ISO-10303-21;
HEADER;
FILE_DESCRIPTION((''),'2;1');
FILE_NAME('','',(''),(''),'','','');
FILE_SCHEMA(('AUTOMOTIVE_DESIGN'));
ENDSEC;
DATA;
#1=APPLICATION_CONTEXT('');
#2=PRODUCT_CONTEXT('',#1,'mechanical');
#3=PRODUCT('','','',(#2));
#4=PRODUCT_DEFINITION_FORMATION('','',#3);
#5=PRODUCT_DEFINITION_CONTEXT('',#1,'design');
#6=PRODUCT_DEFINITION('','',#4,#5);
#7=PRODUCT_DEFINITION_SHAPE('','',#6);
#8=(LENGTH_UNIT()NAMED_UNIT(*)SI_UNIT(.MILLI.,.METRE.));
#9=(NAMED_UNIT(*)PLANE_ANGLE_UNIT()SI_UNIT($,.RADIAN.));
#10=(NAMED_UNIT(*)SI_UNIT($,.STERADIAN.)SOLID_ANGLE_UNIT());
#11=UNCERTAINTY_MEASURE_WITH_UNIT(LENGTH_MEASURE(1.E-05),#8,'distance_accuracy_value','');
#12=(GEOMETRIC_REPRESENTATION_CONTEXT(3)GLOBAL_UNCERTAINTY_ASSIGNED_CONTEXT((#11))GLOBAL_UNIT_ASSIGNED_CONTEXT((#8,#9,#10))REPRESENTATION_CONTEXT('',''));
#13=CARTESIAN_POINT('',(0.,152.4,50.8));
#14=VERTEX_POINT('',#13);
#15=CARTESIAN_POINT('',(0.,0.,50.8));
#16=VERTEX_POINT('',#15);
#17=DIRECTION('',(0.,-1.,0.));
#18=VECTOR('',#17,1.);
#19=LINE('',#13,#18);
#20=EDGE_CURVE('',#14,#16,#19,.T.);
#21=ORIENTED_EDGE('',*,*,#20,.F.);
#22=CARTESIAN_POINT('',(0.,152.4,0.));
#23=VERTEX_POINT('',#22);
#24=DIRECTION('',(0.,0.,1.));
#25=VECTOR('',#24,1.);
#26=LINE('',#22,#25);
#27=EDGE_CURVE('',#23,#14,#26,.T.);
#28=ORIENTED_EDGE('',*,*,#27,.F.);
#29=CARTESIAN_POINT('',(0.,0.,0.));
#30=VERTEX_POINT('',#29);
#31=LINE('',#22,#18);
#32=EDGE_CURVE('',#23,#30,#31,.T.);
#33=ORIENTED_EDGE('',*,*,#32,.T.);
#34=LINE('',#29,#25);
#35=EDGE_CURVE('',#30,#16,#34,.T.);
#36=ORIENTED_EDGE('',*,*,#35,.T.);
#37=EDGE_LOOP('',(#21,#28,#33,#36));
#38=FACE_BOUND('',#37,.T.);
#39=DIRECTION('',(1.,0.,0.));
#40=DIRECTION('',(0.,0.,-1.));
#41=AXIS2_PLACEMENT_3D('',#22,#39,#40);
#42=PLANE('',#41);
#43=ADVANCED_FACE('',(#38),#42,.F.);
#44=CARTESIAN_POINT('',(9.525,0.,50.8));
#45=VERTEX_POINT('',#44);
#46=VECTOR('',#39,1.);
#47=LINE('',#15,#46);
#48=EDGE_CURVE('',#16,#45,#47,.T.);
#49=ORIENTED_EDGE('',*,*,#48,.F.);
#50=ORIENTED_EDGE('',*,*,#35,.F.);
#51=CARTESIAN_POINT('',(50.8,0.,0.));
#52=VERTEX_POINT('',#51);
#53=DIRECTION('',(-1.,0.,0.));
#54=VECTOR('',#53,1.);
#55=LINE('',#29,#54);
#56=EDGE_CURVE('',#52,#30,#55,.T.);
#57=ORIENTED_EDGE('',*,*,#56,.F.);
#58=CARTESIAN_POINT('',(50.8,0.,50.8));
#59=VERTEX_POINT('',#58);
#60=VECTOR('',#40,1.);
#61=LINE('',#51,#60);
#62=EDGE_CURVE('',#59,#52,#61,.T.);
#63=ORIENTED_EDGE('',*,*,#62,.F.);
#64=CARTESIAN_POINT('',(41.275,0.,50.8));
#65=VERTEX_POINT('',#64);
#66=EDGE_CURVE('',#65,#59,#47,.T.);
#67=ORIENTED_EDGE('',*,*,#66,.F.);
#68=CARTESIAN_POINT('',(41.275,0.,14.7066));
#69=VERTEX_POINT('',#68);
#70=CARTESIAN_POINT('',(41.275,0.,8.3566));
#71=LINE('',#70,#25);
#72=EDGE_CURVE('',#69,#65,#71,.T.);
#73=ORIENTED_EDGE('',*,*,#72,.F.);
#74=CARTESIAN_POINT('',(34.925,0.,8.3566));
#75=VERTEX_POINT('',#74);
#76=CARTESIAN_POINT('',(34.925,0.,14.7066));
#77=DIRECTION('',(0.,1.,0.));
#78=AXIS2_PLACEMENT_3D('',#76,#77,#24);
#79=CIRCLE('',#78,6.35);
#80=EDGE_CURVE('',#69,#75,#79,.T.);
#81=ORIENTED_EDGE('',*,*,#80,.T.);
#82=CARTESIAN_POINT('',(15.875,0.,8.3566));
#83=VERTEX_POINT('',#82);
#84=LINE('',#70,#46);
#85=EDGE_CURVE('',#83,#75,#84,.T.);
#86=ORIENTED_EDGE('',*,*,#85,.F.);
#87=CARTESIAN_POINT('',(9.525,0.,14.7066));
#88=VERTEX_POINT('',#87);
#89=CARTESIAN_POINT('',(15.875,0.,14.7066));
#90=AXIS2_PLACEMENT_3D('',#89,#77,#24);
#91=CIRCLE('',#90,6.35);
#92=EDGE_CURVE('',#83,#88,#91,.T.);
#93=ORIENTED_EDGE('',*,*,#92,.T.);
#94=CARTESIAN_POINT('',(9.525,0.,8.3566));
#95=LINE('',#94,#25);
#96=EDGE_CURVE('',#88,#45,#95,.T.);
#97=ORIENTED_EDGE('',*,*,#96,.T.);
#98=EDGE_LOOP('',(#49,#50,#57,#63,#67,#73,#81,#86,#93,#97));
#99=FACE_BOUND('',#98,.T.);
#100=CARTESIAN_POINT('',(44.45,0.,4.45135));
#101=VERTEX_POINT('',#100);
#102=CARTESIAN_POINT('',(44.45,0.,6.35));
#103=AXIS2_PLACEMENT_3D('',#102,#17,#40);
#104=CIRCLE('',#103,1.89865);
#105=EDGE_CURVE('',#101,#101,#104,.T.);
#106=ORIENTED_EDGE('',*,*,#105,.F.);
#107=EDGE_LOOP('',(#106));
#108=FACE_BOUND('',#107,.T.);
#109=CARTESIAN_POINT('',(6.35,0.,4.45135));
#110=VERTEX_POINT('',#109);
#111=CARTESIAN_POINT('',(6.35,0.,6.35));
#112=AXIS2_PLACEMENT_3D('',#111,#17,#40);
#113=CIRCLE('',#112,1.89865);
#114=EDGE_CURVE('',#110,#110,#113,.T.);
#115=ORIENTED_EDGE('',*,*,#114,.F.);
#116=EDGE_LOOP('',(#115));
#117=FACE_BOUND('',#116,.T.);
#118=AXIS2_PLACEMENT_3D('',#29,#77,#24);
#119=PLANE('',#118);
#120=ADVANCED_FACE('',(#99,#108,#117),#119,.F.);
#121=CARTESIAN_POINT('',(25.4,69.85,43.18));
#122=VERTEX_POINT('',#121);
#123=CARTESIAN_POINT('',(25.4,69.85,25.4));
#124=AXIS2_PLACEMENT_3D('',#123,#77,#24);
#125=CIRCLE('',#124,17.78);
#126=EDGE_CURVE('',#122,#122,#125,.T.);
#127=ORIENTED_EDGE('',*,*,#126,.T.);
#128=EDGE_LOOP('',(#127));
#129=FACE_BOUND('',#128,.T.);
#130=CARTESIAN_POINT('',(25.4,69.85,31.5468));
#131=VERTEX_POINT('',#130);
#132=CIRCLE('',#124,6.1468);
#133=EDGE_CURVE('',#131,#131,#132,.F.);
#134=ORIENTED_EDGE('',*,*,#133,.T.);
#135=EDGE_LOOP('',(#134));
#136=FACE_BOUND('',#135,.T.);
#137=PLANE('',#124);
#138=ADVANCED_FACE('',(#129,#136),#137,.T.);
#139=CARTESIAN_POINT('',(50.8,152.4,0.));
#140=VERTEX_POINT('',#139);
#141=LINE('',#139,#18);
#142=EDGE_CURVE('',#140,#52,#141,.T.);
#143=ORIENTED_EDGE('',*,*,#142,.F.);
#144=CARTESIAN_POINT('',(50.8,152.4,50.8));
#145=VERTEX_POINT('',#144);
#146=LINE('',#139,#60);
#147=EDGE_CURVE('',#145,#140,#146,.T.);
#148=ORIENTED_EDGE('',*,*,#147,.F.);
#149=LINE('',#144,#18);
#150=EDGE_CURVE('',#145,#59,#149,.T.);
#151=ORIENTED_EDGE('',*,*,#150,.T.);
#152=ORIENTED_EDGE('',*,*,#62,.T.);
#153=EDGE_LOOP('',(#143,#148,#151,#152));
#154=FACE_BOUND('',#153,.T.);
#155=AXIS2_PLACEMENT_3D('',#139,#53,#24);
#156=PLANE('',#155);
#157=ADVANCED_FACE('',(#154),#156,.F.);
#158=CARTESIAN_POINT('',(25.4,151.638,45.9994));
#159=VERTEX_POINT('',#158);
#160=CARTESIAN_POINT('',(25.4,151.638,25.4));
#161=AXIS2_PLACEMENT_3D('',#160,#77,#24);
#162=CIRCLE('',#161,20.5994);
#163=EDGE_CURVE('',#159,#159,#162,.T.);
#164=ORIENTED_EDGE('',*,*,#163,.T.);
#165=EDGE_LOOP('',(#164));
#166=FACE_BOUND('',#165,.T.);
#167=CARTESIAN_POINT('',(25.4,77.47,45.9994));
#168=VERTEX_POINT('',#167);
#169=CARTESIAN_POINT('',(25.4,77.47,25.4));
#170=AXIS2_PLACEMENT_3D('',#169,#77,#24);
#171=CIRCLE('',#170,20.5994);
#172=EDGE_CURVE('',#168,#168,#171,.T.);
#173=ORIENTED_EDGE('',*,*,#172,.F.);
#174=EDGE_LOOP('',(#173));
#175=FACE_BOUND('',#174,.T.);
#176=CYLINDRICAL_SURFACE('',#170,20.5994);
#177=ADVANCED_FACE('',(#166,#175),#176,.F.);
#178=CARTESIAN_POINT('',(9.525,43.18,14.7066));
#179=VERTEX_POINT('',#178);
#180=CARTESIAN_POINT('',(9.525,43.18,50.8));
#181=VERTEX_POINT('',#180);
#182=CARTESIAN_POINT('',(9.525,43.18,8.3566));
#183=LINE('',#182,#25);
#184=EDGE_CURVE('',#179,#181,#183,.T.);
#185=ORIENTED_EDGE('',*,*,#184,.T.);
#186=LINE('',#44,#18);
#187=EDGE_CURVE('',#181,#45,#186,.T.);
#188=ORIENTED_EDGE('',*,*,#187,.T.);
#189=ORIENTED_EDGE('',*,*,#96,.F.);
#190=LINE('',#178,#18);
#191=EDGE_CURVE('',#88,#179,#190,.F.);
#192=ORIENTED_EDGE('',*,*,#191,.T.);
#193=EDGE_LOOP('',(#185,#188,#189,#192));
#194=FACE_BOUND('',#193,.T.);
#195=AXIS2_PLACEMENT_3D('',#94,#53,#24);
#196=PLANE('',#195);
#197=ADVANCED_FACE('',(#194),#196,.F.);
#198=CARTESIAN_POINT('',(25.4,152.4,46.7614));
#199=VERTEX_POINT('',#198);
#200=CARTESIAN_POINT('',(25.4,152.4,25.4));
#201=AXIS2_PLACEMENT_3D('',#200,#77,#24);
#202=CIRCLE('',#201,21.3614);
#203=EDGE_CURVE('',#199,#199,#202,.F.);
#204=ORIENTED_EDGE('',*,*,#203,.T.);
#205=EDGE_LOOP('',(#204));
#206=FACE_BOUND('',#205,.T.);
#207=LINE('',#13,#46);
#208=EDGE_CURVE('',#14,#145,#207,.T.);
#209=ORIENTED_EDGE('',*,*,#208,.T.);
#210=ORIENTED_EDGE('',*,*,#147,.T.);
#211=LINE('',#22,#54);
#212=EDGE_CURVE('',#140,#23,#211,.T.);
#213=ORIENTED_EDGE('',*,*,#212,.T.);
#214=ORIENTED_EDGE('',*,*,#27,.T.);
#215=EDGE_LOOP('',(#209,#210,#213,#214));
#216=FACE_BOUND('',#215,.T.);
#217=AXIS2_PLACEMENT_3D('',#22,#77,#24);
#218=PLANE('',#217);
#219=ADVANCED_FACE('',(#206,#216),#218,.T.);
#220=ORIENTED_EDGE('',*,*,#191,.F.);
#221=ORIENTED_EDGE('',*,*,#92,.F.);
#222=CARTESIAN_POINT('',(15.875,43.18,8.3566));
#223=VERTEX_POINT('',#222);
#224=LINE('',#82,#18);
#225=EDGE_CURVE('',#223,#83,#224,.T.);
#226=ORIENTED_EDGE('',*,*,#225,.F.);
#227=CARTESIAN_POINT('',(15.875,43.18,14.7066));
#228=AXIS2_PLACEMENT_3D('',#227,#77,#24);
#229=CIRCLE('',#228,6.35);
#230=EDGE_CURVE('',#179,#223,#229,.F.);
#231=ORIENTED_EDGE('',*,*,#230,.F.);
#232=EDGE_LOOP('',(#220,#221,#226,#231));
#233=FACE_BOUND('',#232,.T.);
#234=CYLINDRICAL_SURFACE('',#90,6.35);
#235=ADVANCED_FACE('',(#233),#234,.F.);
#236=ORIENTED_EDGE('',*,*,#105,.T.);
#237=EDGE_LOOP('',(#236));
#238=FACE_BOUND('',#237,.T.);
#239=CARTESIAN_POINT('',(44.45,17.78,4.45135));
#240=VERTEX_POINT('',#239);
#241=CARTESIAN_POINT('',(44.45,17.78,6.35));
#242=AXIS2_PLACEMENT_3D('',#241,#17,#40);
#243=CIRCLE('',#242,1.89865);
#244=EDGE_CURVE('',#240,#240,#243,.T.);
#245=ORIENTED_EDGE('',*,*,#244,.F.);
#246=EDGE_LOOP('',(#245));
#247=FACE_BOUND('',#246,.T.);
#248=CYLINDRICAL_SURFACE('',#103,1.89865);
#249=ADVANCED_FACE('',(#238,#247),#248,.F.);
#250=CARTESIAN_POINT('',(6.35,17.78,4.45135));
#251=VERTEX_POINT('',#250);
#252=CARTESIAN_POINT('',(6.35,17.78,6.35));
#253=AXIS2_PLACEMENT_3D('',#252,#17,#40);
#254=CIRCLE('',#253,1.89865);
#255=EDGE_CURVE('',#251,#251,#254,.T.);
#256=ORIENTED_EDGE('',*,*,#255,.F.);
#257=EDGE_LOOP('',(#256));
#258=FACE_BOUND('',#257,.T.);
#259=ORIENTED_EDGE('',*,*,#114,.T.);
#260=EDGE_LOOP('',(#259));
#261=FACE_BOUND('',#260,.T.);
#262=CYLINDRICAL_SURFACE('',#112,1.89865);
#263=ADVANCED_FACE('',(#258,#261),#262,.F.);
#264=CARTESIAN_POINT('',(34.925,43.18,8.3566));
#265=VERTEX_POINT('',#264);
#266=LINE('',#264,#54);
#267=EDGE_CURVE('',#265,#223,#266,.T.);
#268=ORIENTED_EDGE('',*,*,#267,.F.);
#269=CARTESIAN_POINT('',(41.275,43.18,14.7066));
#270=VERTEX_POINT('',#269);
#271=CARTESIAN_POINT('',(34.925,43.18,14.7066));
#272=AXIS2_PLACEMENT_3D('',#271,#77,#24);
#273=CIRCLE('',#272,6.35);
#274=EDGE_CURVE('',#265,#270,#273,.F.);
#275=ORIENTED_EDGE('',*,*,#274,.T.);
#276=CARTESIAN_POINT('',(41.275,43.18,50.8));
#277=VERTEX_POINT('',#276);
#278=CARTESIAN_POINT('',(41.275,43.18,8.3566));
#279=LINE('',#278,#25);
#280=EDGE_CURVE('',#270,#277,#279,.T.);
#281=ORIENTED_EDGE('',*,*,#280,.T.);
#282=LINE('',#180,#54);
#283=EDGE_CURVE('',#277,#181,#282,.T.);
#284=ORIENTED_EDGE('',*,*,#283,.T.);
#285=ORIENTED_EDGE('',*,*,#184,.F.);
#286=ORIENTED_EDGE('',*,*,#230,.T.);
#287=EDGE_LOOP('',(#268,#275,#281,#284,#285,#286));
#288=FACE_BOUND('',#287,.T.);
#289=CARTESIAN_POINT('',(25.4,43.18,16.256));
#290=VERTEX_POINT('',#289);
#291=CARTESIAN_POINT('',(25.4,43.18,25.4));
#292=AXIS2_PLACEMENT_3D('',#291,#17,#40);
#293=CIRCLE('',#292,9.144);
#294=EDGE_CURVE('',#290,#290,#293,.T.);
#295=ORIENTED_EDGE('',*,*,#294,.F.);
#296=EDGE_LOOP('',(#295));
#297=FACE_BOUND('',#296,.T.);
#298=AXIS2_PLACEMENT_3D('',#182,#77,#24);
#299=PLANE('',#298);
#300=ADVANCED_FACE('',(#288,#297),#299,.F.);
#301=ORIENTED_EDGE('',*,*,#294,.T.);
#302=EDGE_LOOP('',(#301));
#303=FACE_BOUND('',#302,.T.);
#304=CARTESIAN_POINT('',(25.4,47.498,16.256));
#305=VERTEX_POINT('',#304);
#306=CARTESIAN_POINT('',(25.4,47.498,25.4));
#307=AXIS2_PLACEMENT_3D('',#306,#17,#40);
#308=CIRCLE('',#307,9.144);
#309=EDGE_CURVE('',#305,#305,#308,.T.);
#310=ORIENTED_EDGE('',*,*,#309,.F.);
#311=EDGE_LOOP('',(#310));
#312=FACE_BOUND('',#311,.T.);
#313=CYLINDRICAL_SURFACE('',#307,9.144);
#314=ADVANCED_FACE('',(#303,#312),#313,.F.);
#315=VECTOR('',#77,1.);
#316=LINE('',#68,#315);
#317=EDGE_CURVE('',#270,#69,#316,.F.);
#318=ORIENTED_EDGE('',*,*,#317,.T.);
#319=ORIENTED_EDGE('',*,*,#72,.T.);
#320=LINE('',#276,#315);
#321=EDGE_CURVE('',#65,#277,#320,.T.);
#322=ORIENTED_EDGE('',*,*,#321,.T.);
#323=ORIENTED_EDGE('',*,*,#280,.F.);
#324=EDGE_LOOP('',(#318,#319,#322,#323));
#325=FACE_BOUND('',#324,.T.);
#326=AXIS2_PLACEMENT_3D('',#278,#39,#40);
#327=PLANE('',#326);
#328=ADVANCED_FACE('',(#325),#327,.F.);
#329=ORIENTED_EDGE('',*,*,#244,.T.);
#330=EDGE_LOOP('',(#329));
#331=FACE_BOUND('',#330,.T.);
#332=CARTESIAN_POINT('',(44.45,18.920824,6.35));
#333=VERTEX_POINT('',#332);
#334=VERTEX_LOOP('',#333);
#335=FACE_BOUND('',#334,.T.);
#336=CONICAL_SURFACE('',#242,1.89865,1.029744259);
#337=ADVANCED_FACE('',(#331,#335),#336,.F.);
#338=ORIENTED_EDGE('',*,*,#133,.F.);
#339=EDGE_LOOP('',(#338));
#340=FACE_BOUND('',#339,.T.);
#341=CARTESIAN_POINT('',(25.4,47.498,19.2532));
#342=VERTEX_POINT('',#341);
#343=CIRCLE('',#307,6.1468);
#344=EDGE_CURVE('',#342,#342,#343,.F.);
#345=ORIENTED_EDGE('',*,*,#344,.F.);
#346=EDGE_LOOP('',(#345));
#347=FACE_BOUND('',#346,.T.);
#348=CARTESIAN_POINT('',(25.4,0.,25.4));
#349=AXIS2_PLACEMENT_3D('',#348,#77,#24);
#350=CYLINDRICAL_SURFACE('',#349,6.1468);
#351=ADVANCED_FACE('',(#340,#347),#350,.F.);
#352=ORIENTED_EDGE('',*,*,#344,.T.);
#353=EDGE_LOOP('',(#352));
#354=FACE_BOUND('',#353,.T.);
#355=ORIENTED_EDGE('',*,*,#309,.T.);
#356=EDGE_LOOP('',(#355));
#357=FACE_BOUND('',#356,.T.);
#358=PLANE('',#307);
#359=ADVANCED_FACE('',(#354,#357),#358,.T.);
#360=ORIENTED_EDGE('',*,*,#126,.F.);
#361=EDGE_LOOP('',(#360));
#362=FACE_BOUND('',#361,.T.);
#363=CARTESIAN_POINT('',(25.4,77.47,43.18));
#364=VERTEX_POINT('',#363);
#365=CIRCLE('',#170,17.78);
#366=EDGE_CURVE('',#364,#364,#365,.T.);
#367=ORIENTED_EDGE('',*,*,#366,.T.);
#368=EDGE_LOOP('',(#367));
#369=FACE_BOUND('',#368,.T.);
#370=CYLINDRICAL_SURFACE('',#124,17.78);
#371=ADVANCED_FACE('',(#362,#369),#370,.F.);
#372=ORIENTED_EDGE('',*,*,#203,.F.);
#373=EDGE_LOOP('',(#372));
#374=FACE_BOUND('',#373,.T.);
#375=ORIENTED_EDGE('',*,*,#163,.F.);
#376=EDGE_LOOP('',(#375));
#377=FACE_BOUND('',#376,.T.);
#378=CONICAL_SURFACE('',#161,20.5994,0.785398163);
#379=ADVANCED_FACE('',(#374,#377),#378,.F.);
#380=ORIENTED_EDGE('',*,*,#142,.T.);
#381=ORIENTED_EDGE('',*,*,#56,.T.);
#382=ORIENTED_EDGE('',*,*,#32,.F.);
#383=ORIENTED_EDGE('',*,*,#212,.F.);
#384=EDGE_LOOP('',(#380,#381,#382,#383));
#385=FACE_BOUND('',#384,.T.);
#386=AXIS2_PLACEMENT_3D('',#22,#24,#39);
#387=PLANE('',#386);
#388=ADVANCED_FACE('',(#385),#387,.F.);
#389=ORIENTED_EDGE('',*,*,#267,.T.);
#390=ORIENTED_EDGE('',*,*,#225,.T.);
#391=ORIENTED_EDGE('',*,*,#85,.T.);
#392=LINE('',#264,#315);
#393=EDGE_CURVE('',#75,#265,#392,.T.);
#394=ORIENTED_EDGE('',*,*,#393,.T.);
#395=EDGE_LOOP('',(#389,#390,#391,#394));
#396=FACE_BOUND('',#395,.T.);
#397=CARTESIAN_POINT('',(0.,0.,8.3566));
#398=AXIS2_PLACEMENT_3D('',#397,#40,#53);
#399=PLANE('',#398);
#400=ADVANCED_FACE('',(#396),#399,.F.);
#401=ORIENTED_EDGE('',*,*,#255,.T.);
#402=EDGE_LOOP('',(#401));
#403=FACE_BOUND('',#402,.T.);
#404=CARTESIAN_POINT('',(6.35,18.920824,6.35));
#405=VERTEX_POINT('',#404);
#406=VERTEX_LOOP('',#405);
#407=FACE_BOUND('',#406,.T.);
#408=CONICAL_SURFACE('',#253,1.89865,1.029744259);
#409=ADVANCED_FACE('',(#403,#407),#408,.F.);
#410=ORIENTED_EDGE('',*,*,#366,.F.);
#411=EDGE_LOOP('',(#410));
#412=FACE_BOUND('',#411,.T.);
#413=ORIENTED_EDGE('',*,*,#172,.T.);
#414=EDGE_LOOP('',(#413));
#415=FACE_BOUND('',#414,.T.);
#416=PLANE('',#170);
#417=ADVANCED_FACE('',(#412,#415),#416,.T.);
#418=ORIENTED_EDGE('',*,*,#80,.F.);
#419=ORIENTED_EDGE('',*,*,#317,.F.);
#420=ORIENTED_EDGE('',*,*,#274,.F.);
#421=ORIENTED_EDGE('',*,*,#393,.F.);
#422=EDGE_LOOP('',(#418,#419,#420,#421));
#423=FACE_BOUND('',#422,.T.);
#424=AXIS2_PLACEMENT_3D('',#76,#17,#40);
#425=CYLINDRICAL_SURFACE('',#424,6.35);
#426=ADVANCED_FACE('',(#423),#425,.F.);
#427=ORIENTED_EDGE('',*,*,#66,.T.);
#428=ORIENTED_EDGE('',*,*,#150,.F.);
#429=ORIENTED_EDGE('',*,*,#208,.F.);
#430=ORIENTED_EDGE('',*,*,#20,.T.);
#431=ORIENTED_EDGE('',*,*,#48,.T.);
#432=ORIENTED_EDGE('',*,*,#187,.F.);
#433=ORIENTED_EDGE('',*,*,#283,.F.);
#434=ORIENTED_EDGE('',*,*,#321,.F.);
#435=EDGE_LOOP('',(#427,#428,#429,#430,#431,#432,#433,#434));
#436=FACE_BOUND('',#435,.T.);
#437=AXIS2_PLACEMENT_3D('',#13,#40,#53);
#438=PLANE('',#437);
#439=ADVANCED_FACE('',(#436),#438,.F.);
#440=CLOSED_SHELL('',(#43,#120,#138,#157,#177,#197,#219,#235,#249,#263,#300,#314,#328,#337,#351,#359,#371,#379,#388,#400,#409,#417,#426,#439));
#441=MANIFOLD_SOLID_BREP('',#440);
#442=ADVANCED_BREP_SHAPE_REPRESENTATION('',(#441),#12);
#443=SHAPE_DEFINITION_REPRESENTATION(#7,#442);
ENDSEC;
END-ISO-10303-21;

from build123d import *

# Parameters (mm, degrees)
SKETCH1_W                  = 50.8
SKETCH1_H                  = 50.8
BOSS_EXTRUDE1_DEPTH        = 152.4
SKETCH2_R                  = 6.1468
CUT_EXTRUDE1_DEPTH         = 153.4
SKETCH3_R                  = 20.5994
CUT_EXTRUDE2_DEPTH         = 74.93
SKETCH4_R                  = 17.78
CUT_EXTRUDE3_DEPTH         = 82.55
CUT_EXTRUDE4_DEPTH         = 42.4434
SKETCH6_R                  = 9.144
CUT_EXTRUDE5_DEPTH         = 4.318
FILLET1_R                  = 6.35
F_10_24_TAPPED_HOLE1_D     = 3.7973
F_10_24_TAPPED_HOLE1_DEPTH = 17.78
F_10_24_TAPPED_HOLE1_TIP   = 1.140824014
CHAMFER1_SIZE              = 0.762


with BuildPart() as part:
    # Sketch1 → Boss-Extrude1 (new body)
    with BuildSketch(Plane(origin=(0, 0, 0), x_dir=(1, 0, 0), z_dir=(0, 1, 0))):
        with Locations((25.4, -25.4)):
            Rectangle(SKETCH1_W, SKETCH1_H)
    extrude(amount=BOSS_EXTRUDE1_DEPTH)

    # Sketch2 → Cut-Extrude1 (cut, through all)
    with BuildSketch(Plane(origin=(0, 152.4, 0), x_dir=(1, 0, 0), z_dir=(0, 1, 0))):
        with Locations((25.4, -25.4)):
            Circle(SKETCH2_R)
    extrude(amount=-CUT_EXTRUDE1_DEPTH, mode=Mode.SUBTRACT)

    # Sketch3 → Cut-Extrude2 (cut)
    with BuildSketch(Plane(origin=(0, 152.4, 0), x_dir=(1, 0, 0), z_dir=(0, 1, 0))):
        with Locations((25.4, -25.4)):
            Circle(SKETCH3_R)
    extrude(amount=-CUT_EXTRUDE2_DEPTH, mode=Mode.SUBTRACT)

    # Sketch4 → Cut-Extrude3 (cut)
    with BuildSketch(Plane(origin=(0, 152.4, 0), x_dir=(1, 0, 0), z_dir=(0, 1, 0))):
        with Locations((25.4, -25.4)):
            Circle(SKETCH4_R)
    extrude(amount=-CUT_EXTRUDE3_DEPTH, mode=Mode.SUBTRACT)

    # Sketch5 → Cut-Extrude4 (cut)
    with BuildSketch(Plane.XY.offset(50.8)):
        Polygon((9.525, 0), (9.525, 36.83), (9.525, 43.18), (15.875, 43.18), (34.925, 43.18), (41.275, 43.18), (41.275, 36.83), (41.275, 0), align=None)
    extrude(amount=-CUT_EXTRUDE4_DEPTH, mode=Mode.SUBTRACT)

    # Sketch6 → Cut-Extrude5 (cut)
    with BuildSketch(Plane.XZ.offset(-43.18)):
        with Locations((25.4, 25.4)):
            Circle(SKETCH6_R)
    extrude(amount=-CUT_EXTRUDE5_DEPTH, mode=Mode.SUBTRACT)

    # Fillet1
    fillet1_edges = [part.edges().sort_by_distance(p)[0] for p in [
        (9.525, 21.59, 8.3566),
        (41.275, 21.59, 8.3566),
    ]]
    fillet(fillet1_edges, radius=FILLET1_R)

    # #10-24 Tapped Hole1
    with Locations(Plane(origin=(0, 0, 0), x_dir=(-1, 0, 0), z_dir=(0, -1, 0))):
        with Locations((-6.35, -6.35), (-44.45, -6.35)):
            Hole(F_10_24_TAPPED_HOLE1_D / 2, depth=F_10_24_TAPPED_HOLE1_DEPTH)
            with Locations((0, 0, -(F_10_24_TAPPED_HOLE1_DEPTH + F_10_24_TAPPED_HOLE1_TIP / 2))):  # 118° drill point
                Cone(0, F_10_24_TAPPED_HOLE1_D / 2, F_10_24_TAPPED_HOLE1_TIP, mode=Mode.SUBTRACT)

    # Chamfer1
    chamfer1_edges = [part.edges().sort_by_distance(p)[0] for p in [
        (4.8006, 152.4, 25.4),
    ]]
    chamfer(chamfer1_edges, length=CHAMFER1_SIZE)


solid = part.part
